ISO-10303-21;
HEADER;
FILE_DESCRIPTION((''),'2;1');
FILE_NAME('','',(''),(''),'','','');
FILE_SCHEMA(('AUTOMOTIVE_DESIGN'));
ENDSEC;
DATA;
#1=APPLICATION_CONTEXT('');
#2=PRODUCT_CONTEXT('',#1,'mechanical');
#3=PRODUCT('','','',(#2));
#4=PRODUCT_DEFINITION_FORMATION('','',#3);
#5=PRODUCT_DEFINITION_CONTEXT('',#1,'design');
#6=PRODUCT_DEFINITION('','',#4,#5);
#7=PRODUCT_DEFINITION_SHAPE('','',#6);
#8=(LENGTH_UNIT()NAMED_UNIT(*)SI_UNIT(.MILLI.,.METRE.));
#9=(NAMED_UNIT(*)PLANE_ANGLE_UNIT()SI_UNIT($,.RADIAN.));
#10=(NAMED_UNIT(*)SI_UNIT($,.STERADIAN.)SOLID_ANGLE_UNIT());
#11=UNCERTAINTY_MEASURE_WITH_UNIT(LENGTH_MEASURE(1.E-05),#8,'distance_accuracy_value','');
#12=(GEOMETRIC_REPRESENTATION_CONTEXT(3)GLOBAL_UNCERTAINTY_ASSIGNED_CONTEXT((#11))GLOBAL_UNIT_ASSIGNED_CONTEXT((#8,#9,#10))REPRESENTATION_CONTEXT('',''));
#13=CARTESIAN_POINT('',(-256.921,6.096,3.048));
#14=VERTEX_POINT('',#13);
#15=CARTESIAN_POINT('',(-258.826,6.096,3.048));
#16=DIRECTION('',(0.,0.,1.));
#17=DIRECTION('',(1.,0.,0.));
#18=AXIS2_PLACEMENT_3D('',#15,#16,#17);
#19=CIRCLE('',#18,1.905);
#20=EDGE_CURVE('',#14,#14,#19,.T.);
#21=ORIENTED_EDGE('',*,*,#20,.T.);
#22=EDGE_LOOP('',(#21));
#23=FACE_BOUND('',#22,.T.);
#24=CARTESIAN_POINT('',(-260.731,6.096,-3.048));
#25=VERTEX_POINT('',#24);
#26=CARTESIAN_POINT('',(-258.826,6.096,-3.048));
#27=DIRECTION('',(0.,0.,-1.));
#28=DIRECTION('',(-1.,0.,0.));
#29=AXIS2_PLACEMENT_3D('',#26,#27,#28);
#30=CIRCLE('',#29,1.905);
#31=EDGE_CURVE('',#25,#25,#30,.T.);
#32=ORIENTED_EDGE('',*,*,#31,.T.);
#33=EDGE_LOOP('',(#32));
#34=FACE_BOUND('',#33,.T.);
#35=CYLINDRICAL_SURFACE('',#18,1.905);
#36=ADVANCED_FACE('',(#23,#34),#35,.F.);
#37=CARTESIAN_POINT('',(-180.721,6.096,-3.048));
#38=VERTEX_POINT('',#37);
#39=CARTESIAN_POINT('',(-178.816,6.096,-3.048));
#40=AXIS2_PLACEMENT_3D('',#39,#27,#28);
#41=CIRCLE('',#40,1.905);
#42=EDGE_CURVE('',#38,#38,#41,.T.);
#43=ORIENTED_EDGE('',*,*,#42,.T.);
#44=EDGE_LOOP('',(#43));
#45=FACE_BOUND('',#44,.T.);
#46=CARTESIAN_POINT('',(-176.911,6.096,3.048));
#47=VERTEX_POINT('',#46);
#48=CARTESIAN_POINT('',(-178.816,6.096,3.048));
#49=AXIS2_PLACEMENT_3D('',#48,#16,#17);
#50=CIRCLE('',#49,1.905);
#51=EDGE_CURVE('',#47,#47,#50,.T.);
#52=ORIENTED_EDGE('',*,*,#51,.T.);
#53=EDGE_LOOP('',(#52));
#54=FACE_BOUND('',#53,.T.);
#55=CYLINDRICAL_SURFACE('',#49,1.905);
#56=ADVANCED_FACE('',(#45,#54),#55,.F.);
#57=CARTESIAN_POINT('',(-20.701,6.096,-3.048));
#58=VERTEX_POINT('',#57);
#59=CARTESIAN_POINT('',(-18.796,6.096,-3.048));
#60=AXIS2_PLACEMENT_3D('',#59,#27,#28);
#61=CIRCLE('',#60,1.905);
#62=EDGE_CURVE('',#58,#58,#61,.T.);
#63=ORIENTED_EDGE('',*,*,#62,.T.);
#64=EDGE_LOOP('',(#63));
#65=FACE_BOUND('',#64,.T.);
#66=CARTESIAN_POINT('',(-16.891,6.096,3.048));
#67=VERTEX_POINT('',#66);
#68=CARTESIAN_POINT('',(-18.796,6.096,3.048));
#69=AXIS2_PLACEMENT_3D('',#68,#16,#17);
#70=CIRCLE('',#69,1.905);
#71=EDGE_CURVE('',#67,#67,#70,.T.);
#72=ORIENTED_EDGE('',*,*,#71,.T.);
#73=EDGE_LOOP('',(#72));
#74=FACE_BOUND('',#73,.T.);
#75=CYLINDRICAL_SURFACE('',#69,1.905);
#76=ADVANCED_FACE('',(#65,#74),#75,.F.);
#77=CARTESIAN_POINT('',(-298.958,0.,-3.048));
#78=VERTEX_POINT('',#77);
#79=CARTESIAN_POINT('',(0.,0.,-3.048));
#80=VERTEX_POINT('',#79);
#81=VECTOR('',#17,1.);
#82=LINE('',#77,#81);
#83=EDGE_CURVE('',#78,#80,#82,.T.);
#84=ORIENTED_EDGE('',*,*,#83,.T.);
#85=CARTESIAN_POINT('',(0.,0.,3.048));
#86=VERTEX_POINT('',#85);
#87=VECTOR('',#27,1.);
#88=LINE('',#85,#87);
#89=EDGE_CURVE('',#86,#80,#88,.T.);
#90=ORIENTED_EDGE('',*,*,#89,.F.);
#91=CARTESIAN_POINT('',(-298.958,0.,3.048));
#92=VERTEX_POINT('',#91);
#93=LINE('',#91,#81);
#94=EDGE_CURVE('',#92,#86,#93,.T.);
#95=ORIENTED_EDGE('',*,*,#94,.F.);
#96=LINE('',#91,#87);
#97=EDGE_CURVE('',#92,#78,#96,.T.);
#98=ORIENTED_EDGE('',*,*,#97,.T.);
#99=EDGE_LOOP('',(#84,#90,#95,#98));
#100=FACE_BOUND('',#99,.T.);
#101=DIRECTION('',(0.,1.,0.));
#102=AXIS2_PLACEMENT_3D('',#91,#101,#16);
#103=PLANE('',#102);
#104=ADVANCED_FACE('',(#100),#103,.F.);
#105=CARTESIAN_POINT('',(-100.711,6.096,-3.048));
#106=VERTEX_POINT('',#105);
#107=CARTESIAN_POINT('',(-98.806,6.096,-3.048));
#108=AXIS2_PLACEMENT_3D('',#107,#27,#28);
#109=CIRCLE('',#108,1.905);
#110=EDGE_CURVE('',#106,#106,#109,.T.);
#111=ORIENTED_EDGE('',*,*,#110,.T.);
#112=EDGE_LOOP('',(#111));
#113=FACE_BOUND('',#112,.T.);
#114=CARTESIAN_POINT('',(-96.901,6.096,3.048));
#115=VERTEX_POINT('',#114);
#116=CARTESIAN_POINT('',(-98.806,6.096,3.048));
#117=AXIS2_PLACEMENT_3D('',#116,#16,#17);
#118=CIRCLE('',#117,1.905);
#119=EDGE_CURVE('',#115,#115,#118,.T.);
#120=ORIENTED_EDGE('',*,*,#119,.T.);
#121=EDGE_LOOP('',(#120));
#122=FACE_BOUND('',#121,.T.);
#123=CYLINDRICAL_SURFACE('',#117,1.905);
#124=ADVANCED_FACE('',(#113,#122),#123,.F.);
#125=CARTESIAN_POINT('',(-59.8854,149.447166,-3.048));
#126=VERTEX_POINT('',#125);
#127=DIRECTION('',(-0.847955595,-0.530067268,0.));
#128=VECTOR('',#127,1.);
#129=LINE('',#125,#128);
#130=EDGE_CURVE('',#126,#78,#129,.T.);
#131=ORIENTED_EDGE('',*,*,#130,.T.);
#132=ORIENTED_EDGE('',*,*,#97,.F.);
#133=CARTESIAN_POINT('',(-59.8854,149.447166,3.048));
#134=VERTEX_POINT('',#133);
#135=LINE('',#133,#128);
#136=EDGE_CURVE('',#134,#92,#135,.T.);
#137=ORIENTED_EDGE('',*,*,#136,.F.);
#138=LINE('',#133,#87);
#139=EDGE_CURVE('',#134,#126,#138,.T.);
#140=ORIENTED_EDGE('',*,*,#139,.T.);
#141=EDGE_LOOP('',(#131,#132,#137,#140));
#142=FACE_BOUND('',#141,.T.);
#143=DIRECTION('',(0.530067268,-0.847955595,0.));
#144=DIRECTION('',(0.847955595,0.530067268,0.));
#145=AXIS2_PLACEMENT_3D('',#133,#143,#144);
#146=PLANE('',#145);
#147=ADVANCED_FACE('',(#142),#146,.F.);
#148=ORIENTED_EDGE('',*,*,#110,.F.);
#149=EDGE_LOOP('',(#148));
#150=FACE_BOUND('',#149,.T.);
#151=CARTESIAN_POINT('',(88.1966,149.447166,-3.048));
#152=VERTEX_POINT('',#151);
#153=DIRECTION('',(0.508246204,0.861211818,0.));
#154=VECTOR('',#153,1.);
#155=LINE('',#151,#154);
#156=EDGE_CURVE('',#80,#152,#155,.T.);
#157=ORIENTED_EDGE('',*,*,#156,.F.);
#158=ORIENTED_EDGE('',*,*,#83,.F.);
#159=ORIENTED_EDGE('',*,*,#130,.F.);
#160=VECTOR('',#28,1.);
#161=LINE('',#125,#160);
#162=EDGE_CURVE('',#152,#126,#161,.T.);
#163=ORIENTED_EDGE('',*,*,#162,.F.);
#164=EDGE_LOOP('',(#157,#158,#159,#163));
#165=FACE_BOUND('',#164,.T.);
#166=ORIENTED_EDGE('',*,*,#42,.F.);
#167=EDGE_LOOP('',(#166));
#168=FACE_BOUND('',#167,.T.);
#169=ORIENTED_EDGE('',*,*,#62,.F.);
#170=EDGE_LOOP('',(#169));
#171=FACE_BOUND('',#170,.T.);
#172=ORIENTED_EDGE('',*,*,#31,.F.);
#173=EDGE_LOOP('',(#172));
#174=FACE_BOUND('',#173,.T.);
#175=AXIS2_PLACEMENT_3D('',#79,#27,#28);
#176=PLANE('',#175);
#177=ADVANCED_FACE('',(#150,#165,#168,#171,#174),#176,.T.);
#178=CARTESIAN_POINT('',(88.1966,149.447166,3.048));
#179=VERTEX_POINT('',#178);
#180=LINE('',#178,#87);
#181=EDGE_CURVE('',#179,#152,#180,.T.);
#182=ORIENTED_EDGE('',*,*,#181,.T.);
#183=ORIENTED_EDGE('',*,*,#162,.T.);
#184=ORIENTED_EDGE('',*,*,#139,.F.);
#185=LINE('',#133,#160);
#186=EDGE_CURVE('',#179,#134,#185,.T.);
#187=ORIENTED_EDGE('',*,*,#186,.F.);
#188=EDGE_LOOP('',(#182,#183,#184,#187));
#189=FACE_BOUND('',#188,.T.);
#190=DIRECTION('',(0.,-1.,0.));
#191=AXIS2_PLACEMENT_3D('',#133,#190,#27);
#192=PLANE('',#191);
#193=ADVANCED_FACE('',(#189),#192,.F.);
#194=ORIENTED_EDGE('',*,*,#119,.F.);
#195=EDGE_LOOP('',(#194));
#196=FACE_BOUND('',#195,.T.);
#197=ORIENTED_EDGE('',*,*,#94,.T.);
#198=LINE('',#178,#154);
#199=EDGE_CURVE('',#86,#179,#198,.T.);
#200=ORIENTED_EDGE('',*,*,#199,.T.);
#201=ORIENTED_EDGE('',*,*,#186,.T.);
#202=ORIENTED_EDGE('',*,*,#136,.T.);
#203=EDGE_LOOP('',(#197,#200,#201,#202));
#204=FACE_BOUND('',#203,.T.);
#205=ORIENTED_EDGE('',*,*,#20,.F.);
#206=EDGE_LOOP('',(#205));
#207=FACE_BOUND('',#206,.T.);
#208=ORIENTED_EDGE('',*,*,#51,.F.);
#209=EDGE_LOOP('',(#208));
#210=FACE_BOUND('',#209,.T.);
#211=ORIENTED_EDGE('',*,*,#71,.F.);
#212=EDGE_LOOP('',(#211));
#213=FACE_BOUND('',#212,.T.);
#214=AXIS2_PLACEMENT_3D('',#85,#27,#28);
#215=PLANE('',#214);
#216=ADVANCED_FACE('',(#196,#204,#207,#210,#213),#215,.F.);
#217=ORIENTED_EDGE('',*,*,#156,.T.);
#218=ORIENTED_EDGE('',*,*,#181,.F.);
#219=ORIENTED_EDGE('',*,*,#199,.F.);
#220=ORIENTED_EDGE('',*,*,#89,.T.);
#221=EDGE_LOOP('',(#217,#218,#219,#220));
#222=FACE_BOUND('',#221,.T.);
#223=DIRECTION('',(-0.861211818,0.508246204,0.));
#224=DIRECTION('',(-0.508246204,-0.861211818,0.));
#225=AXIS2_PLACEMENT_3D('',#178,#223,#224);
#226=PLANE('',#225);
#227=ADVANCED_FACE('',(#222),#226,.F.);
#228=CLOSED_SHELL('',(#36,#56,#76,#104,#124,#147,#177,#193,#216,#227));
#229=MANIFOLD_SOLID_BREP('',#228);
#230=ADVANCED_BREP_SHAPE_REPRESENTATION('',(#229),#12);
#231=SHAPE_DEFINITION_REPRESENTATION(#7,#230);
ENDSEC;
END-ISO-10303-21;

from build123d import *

# Parameters (mm, degrees)
BOSS_EXTRUDE1_DEPTH = 3.048
HOLE1_D             = 3.81
HOLE1_DEPTH         = 15.24
LPATTERN1_COUNT     = 4
LPATTERN1_PITCH     = 80.01


with BuildPart() as part:
    # Sketch1 → Boss-Extrude1 (new, symmetric)
    with BuildSketch(Plane.XY):
        Polygon((-59.885399579, 149.447165674), (-298.958, 0), (0, 0), (88.196600421, 149.447165674), align=None)
    extrude(amount=BOSS_EXTRUDE1_DEPTH, both=True)

    # Hole1
    with Locations(Plane.XY.offset(3.048)):
        with Locations((-258.826, 6.096)):
            hole1 = Hole(HOLE1_D / 2, depth=HOLE1_DEPTH)

    # LPattern1: Hole1 ×4
    with Locations(*[(i * LPATTERN1_PITCH, 0, 0) for i in range(1, LPATTERN1_COUNT)]):
        add(hole1, mode=Mode.SUBTRACT)


solid = part.part
